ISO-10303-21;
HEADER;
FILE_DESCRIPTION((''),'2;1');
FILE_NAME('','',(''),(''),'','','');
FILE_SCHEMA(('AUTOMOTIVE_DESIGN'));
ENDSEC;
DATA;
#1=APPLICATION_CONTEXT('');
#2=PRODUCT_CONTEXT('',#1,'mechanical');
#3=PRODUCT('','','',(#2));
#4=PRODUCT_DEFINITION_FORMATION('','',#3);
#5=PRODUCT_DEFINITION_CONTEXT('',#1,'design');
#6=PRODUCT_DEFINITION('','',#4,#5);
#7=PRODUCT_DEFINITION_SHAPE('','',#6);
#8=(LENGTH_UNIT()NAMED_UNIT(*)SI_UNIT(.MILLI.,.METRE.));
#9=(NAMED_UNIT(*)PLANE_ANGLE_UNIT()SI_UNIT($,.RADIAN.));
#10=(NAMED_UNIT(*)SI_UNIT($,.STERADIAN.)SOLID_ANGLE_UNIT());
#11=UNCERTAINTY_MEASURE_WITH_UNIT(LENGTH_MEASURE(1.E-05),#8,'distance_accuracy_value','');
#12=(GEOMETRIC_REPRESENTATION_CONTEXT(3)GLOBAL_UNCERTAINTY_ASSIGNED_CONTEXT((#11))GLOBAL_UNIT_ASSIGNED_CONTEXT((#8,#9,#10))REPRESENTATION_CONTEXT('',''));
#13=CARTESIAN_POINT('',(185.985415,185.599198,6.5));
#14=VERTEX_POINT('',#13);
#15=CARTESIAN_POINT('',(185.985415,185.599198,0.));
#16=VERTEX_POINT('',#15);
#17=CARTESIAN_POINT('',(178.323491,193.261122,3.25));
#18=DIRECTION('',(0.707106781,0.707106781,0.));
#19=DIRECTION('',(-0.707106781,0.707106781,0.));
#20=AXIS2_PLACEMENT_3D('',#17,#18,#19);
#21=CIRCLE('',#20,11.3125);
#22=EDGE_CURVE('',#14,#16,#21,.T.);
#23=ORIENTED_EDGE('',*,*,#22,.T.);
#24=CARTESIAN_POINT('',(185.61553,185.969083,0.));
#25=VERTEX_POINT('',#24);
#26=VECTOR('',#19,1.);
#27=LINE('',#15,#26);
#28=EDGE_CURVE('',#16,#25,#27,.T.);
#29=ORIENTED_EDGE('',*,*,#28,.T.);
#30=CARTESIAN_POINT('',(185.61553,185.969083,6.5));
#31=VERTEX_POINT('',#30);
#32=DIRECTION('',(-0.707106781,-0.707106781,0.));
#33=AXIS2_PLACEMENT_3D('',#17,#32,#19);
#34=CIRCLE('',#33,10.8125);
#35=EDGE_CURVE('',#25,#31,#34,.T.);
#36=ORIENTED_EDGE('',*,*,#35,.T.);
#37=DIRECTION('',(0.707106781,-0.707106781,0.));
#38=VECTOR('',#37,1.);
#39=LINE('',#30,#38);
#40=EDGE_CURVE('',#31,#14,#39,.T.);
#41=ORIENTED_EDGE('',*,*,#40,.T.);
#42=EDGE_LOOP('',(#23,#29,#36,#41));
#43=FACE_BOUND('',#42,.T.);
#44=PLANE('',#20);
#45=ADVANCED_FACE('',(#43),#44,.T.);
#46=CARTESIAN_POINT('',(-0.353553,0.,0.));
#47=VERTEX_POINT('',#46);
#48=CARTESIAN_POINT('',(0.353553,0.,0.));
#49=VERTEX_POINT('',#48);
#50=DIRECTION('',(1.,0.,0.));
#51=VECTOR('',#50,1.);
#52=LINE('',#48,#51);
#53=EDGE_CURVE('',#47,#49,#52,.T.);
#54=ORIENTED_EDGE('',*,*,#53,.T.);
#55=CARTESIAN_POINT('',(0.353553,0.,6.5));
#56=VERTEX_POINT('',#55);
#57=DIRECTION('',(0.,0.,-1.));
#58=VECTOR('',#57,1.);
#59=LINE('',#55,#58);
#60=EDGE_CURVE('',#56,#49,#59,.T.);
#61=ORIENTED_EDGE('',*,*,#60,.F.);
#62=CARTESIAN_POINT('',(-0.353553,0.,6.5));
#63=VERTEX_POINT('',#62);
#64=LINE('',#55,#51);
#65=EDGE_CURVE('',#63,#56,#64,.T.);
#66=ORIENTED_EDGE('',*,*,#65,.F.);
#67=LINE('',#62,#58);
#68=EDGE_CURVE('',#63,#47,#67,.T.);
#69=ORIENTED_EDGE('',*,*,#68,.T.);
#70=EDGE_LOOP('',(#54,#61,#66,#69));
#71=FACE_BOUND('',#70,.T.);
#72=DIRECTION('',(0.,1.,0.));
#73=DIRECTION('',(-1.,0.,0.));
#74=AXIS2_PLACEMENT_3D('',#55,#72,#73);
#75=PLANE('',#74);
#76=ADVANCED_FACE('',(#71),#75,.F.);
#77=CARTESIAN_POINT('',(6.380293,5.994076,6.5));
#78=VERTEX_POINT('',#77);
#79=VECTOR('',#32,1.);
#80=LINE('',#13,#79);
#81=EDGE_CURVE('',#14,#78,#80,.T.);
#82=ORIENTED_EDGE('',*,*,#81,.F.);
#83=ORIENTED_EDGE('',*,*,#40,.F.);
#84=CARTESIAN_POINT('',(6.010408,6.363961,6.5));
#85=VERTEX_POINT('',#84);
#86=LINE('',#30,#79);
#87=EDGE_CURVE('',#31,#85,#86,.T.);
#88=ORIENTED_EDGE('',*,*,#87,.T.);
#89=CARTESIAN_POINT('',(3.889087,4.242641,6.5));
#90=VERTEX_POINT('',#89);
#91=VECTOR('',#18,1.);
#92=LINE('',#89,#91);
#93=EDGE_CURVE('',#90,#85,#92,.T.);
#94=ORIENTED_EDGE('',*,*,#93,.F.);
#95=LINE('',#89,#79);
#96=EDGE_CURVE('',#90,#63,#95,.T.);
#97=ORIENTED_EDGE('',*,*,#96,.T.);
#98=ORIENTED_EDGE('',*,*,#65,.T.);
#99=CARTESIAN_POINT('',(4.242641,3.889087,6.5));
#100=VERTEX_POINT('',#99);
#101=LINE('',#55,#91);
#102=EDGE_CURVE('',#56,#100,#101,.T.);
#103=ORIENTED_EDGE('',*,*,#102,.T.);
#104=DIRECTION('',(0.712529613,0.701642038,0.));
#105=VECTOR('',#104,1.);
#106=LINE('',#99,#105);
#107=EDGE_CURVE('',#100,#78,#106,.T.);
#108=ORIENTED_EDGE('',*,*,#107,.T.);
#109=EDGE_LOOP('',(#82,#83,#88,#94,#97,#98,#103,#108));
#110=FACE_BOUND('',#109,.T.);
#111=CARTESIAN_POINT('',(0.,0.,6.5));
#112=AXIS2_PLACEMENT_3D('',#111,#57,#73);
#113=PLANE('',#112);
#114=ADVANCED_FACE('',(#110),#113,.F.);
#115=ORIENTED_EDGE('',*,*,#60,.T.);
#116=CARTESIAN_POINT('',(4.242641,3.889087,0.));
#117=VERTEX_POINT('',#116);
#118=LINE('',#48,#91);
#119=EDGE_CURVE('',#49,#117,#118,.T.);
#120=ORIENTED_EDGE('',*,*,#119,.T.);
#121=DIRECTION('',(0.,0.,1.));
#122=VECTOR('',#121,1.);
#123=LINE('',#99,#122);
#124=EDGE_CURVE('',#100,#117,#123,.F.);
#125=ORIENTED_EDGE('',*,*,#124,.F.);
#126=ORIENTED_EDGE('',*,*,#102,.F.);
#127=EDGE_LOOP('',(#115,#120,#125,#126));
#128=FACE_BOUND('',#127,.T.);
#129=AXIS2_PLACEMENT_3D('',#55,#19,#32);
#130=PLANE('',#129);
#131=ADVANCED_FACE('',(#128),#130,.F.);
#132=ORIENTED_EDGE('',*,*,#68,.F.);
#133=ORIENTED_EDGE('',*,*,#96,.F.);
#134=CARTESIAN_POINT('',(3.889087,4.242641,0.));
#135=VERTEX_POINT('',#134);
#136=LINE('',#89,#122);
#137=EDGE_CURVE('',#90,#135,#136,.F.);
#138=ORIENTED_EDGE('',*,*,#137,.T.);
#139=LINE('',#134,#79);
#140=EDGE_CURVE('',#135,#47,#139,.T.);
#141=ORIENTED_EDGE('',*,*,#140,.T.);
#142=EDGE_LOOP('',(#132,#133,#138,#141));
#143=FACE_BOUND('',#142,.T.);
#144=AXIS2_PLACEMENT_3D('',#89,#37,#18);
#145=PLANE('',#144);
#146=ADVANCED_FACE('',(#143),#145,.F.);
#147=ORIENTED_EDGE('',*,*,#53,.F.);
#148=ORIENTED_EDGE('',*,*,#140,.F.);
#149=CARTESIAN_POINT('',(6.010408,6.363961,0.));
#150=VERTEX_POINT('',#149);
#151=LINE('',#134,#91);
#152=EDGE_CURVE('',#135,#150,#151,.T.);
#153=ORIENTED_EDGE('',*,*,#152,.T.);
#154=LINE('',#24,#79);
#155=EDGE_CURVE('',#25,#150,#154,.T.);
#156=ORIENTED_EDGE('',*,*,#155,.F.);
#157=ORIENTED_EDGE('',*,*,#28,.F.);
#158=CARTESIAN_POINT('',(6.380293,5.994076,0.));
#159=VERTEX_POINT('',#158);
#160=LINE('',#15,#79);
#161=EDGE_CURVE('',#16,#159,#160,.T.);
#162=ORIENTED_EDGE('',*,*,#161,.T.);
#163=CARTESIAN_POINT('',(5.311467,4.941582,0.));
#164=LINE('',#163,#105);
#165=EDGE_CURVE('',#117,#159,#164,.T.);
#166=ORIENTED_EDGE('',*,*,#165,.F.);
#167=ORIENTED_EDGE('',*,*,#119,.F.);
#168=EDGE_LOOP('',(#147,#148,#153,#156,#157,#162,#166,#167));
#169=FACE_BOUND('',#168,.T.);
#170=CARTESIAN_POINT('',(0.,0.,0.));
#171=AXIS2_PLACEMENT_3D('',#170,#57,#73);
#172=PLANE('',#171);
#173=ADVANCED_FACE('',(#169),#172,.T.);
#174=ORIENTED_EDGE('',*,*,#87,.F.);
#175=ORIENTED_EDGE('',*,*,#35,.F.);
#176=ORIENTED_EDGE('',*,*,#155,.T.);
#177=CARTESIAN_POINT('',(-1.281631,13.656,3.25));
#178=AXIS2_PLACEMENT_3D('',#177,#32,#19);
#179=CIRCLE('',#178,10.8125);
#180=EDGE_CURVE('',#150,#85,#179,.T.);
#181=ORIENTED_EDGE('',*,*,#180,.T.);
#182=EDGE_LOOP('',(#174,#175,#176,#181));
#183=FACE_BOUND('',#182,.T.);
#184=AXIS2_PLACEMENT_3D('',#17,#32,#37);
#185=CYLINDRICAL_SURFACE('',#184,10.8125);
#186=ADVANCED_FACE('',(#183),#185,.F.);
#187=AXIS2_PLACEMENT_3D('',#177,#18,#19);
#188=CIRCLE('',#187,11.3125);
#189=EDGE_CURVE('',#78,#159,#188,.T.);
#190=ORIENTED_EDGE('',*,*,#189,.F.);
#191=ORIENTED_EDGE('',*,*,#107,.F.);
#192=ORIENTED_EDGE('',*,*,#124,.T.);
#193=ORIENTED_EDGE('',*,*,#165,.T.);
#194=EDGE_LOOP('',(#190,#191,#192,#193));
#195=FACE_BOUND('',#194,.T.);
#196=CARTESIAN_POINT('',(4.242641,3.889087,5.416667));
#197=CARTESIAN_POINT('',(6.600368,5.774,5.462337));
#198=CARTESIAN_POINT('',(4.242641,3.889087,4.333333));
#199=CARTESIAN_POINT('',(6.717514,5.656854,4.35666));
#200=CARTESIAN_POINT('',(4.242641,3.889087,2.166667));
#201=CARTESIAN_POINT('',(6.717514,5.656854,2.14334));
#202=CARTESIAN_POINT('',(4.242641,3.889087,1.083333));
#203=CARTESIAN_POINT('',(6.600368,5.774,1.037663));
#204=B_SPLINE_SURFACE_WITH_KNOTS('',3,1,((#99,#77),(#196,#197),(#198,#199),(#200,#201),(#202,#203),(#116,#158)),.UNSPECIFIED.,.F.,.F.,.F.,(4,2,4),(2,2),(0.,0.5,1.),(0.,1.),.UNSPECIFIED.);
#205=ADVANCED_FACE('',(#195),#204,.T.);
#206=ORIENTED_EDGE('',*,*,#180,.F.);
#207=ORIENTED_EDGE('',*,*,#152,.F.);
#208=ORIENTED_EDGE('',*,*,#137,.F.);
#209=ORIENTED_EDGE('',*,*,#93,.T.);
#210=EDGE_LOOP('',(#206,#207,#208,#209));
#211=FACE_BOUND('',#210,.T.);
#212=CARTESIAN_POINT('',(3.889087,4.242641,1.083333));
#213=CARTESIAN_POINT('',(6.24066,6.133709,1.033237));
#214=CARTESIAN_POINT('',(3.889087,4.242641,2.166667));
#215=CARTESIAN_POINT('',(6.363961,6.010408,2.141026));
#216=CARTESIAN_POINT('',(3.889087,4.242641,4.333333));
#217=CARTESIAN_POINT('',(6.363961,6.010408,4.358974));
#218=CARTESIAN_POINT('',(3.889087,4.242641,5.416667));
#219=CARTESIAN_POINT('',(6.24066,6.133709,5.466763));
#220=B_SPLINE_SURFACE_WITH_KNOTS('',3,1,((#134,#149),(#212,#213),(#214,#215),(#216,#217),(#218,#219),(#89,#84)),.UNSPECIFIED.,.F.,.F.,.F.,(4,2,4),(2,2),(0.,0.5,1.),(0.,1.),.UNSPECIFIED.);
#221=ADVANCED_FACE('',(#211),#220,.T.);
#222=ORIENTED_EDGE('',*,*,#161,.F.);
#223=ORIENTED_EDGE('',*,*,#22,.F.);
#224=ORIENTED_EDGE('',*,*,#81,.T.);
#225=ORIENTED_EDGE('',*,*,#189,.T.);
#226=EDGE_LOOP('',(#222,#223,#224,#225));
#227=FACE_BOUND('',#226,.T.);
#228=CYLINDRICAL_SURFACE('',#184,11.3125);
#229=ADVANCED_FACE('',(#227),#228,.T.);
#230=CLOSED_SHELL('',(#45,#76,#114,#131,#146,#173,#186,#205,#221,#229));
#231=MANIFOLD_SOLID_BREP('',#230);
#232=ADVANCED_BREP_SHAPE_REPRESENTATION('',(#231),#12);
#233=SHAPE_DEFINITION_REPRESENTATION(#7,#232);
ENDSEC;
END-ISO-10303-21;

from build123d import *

# Parameters (mm, degrees)
BOSS_EXTRUDE1_DEPTH = 6.5
BOSS_EXTRUDE4_DEPTH = 254


with BuildPart() as part:
    # Sketch1 → Boss-Extrude1 (new body)
    with BuildSketch(Plane.XY):
        Polygon((0.353553391, 0), (-0.353553391, 0), (3.889087297, 4.242640687), (4.242640687, 3.889087297), align=None)
    extrude(amount=BOSS_EXTRUDE1_DEPTH)

    # Sketch2 → Loft1 section 0
    with BuildSketch(Plane(origin=(4.065863992, 4.065863992, 0), x_dir=(0, 0, -1), z_dir=(0.707106781186551, 0.7071067811865441, 0))):
        with BuildLine():
            Line((0, -0.25), (0, 0.25))
            Line((0, 0.25), (-6.5, 0.25))
            Line((-6.5, 0.25), (-6.5, -0.25))
            Line((-6.5, -0.25), (0, -0.25))
        make_face()
    # Sketch3 for Loft1 → Loft1 section 1
    with BuildSketch(Plane(origin=(6.187184335, 6.187184335, 0), x_dir=(0, 0, -1), z_dir=(0.7071067811865509, 0.7071067811865441, 0))):
        with BuildLine():
            Line((-6.5, 0.25), (-6.5, -0.273096719))
            # circular arc as an exact rational Bezier (weights 1, cos(half-angle), 1)
            Bezier((-6.5, -0.273096719), (-3.25, -1.247893057), (0, -0.273096719), weights=[1, 0.957842804, 1])
            Line((0, -0.273096719), (0, 0.25))
            Bezier((0, 0.25), (-3.25, -0.774242424), (-6.5, 0.25), weights=[1, 0.953757225, 1])
        make_face()
    loft()

    # Sketch6 → Boss-Extrude4 (add)
    with BuildSketch(Plane(origin=(6.187184335, 6.187184335, 0), x_dir=(0, 0, -1), z_dir=(0.7071067811865509, 0.7071067811865441, 0))):
        with BuildLine():
            Line((-6.5, 0.25), (-6.5, -0.273096719))
            ThreePointArc((-6.5, -0.273096719), (-3.25, -0.75), (0, -0.273096719))
            Line((0, -0.273096719), (0, 0.25))
            ThreePointArc((0, 0.25), (-3.25, -0.25), (-6.5, 0.25))
        make_face()
    extrude(amount=BOSS_EXTRUDE4_DEPTH)


solid = part.part
